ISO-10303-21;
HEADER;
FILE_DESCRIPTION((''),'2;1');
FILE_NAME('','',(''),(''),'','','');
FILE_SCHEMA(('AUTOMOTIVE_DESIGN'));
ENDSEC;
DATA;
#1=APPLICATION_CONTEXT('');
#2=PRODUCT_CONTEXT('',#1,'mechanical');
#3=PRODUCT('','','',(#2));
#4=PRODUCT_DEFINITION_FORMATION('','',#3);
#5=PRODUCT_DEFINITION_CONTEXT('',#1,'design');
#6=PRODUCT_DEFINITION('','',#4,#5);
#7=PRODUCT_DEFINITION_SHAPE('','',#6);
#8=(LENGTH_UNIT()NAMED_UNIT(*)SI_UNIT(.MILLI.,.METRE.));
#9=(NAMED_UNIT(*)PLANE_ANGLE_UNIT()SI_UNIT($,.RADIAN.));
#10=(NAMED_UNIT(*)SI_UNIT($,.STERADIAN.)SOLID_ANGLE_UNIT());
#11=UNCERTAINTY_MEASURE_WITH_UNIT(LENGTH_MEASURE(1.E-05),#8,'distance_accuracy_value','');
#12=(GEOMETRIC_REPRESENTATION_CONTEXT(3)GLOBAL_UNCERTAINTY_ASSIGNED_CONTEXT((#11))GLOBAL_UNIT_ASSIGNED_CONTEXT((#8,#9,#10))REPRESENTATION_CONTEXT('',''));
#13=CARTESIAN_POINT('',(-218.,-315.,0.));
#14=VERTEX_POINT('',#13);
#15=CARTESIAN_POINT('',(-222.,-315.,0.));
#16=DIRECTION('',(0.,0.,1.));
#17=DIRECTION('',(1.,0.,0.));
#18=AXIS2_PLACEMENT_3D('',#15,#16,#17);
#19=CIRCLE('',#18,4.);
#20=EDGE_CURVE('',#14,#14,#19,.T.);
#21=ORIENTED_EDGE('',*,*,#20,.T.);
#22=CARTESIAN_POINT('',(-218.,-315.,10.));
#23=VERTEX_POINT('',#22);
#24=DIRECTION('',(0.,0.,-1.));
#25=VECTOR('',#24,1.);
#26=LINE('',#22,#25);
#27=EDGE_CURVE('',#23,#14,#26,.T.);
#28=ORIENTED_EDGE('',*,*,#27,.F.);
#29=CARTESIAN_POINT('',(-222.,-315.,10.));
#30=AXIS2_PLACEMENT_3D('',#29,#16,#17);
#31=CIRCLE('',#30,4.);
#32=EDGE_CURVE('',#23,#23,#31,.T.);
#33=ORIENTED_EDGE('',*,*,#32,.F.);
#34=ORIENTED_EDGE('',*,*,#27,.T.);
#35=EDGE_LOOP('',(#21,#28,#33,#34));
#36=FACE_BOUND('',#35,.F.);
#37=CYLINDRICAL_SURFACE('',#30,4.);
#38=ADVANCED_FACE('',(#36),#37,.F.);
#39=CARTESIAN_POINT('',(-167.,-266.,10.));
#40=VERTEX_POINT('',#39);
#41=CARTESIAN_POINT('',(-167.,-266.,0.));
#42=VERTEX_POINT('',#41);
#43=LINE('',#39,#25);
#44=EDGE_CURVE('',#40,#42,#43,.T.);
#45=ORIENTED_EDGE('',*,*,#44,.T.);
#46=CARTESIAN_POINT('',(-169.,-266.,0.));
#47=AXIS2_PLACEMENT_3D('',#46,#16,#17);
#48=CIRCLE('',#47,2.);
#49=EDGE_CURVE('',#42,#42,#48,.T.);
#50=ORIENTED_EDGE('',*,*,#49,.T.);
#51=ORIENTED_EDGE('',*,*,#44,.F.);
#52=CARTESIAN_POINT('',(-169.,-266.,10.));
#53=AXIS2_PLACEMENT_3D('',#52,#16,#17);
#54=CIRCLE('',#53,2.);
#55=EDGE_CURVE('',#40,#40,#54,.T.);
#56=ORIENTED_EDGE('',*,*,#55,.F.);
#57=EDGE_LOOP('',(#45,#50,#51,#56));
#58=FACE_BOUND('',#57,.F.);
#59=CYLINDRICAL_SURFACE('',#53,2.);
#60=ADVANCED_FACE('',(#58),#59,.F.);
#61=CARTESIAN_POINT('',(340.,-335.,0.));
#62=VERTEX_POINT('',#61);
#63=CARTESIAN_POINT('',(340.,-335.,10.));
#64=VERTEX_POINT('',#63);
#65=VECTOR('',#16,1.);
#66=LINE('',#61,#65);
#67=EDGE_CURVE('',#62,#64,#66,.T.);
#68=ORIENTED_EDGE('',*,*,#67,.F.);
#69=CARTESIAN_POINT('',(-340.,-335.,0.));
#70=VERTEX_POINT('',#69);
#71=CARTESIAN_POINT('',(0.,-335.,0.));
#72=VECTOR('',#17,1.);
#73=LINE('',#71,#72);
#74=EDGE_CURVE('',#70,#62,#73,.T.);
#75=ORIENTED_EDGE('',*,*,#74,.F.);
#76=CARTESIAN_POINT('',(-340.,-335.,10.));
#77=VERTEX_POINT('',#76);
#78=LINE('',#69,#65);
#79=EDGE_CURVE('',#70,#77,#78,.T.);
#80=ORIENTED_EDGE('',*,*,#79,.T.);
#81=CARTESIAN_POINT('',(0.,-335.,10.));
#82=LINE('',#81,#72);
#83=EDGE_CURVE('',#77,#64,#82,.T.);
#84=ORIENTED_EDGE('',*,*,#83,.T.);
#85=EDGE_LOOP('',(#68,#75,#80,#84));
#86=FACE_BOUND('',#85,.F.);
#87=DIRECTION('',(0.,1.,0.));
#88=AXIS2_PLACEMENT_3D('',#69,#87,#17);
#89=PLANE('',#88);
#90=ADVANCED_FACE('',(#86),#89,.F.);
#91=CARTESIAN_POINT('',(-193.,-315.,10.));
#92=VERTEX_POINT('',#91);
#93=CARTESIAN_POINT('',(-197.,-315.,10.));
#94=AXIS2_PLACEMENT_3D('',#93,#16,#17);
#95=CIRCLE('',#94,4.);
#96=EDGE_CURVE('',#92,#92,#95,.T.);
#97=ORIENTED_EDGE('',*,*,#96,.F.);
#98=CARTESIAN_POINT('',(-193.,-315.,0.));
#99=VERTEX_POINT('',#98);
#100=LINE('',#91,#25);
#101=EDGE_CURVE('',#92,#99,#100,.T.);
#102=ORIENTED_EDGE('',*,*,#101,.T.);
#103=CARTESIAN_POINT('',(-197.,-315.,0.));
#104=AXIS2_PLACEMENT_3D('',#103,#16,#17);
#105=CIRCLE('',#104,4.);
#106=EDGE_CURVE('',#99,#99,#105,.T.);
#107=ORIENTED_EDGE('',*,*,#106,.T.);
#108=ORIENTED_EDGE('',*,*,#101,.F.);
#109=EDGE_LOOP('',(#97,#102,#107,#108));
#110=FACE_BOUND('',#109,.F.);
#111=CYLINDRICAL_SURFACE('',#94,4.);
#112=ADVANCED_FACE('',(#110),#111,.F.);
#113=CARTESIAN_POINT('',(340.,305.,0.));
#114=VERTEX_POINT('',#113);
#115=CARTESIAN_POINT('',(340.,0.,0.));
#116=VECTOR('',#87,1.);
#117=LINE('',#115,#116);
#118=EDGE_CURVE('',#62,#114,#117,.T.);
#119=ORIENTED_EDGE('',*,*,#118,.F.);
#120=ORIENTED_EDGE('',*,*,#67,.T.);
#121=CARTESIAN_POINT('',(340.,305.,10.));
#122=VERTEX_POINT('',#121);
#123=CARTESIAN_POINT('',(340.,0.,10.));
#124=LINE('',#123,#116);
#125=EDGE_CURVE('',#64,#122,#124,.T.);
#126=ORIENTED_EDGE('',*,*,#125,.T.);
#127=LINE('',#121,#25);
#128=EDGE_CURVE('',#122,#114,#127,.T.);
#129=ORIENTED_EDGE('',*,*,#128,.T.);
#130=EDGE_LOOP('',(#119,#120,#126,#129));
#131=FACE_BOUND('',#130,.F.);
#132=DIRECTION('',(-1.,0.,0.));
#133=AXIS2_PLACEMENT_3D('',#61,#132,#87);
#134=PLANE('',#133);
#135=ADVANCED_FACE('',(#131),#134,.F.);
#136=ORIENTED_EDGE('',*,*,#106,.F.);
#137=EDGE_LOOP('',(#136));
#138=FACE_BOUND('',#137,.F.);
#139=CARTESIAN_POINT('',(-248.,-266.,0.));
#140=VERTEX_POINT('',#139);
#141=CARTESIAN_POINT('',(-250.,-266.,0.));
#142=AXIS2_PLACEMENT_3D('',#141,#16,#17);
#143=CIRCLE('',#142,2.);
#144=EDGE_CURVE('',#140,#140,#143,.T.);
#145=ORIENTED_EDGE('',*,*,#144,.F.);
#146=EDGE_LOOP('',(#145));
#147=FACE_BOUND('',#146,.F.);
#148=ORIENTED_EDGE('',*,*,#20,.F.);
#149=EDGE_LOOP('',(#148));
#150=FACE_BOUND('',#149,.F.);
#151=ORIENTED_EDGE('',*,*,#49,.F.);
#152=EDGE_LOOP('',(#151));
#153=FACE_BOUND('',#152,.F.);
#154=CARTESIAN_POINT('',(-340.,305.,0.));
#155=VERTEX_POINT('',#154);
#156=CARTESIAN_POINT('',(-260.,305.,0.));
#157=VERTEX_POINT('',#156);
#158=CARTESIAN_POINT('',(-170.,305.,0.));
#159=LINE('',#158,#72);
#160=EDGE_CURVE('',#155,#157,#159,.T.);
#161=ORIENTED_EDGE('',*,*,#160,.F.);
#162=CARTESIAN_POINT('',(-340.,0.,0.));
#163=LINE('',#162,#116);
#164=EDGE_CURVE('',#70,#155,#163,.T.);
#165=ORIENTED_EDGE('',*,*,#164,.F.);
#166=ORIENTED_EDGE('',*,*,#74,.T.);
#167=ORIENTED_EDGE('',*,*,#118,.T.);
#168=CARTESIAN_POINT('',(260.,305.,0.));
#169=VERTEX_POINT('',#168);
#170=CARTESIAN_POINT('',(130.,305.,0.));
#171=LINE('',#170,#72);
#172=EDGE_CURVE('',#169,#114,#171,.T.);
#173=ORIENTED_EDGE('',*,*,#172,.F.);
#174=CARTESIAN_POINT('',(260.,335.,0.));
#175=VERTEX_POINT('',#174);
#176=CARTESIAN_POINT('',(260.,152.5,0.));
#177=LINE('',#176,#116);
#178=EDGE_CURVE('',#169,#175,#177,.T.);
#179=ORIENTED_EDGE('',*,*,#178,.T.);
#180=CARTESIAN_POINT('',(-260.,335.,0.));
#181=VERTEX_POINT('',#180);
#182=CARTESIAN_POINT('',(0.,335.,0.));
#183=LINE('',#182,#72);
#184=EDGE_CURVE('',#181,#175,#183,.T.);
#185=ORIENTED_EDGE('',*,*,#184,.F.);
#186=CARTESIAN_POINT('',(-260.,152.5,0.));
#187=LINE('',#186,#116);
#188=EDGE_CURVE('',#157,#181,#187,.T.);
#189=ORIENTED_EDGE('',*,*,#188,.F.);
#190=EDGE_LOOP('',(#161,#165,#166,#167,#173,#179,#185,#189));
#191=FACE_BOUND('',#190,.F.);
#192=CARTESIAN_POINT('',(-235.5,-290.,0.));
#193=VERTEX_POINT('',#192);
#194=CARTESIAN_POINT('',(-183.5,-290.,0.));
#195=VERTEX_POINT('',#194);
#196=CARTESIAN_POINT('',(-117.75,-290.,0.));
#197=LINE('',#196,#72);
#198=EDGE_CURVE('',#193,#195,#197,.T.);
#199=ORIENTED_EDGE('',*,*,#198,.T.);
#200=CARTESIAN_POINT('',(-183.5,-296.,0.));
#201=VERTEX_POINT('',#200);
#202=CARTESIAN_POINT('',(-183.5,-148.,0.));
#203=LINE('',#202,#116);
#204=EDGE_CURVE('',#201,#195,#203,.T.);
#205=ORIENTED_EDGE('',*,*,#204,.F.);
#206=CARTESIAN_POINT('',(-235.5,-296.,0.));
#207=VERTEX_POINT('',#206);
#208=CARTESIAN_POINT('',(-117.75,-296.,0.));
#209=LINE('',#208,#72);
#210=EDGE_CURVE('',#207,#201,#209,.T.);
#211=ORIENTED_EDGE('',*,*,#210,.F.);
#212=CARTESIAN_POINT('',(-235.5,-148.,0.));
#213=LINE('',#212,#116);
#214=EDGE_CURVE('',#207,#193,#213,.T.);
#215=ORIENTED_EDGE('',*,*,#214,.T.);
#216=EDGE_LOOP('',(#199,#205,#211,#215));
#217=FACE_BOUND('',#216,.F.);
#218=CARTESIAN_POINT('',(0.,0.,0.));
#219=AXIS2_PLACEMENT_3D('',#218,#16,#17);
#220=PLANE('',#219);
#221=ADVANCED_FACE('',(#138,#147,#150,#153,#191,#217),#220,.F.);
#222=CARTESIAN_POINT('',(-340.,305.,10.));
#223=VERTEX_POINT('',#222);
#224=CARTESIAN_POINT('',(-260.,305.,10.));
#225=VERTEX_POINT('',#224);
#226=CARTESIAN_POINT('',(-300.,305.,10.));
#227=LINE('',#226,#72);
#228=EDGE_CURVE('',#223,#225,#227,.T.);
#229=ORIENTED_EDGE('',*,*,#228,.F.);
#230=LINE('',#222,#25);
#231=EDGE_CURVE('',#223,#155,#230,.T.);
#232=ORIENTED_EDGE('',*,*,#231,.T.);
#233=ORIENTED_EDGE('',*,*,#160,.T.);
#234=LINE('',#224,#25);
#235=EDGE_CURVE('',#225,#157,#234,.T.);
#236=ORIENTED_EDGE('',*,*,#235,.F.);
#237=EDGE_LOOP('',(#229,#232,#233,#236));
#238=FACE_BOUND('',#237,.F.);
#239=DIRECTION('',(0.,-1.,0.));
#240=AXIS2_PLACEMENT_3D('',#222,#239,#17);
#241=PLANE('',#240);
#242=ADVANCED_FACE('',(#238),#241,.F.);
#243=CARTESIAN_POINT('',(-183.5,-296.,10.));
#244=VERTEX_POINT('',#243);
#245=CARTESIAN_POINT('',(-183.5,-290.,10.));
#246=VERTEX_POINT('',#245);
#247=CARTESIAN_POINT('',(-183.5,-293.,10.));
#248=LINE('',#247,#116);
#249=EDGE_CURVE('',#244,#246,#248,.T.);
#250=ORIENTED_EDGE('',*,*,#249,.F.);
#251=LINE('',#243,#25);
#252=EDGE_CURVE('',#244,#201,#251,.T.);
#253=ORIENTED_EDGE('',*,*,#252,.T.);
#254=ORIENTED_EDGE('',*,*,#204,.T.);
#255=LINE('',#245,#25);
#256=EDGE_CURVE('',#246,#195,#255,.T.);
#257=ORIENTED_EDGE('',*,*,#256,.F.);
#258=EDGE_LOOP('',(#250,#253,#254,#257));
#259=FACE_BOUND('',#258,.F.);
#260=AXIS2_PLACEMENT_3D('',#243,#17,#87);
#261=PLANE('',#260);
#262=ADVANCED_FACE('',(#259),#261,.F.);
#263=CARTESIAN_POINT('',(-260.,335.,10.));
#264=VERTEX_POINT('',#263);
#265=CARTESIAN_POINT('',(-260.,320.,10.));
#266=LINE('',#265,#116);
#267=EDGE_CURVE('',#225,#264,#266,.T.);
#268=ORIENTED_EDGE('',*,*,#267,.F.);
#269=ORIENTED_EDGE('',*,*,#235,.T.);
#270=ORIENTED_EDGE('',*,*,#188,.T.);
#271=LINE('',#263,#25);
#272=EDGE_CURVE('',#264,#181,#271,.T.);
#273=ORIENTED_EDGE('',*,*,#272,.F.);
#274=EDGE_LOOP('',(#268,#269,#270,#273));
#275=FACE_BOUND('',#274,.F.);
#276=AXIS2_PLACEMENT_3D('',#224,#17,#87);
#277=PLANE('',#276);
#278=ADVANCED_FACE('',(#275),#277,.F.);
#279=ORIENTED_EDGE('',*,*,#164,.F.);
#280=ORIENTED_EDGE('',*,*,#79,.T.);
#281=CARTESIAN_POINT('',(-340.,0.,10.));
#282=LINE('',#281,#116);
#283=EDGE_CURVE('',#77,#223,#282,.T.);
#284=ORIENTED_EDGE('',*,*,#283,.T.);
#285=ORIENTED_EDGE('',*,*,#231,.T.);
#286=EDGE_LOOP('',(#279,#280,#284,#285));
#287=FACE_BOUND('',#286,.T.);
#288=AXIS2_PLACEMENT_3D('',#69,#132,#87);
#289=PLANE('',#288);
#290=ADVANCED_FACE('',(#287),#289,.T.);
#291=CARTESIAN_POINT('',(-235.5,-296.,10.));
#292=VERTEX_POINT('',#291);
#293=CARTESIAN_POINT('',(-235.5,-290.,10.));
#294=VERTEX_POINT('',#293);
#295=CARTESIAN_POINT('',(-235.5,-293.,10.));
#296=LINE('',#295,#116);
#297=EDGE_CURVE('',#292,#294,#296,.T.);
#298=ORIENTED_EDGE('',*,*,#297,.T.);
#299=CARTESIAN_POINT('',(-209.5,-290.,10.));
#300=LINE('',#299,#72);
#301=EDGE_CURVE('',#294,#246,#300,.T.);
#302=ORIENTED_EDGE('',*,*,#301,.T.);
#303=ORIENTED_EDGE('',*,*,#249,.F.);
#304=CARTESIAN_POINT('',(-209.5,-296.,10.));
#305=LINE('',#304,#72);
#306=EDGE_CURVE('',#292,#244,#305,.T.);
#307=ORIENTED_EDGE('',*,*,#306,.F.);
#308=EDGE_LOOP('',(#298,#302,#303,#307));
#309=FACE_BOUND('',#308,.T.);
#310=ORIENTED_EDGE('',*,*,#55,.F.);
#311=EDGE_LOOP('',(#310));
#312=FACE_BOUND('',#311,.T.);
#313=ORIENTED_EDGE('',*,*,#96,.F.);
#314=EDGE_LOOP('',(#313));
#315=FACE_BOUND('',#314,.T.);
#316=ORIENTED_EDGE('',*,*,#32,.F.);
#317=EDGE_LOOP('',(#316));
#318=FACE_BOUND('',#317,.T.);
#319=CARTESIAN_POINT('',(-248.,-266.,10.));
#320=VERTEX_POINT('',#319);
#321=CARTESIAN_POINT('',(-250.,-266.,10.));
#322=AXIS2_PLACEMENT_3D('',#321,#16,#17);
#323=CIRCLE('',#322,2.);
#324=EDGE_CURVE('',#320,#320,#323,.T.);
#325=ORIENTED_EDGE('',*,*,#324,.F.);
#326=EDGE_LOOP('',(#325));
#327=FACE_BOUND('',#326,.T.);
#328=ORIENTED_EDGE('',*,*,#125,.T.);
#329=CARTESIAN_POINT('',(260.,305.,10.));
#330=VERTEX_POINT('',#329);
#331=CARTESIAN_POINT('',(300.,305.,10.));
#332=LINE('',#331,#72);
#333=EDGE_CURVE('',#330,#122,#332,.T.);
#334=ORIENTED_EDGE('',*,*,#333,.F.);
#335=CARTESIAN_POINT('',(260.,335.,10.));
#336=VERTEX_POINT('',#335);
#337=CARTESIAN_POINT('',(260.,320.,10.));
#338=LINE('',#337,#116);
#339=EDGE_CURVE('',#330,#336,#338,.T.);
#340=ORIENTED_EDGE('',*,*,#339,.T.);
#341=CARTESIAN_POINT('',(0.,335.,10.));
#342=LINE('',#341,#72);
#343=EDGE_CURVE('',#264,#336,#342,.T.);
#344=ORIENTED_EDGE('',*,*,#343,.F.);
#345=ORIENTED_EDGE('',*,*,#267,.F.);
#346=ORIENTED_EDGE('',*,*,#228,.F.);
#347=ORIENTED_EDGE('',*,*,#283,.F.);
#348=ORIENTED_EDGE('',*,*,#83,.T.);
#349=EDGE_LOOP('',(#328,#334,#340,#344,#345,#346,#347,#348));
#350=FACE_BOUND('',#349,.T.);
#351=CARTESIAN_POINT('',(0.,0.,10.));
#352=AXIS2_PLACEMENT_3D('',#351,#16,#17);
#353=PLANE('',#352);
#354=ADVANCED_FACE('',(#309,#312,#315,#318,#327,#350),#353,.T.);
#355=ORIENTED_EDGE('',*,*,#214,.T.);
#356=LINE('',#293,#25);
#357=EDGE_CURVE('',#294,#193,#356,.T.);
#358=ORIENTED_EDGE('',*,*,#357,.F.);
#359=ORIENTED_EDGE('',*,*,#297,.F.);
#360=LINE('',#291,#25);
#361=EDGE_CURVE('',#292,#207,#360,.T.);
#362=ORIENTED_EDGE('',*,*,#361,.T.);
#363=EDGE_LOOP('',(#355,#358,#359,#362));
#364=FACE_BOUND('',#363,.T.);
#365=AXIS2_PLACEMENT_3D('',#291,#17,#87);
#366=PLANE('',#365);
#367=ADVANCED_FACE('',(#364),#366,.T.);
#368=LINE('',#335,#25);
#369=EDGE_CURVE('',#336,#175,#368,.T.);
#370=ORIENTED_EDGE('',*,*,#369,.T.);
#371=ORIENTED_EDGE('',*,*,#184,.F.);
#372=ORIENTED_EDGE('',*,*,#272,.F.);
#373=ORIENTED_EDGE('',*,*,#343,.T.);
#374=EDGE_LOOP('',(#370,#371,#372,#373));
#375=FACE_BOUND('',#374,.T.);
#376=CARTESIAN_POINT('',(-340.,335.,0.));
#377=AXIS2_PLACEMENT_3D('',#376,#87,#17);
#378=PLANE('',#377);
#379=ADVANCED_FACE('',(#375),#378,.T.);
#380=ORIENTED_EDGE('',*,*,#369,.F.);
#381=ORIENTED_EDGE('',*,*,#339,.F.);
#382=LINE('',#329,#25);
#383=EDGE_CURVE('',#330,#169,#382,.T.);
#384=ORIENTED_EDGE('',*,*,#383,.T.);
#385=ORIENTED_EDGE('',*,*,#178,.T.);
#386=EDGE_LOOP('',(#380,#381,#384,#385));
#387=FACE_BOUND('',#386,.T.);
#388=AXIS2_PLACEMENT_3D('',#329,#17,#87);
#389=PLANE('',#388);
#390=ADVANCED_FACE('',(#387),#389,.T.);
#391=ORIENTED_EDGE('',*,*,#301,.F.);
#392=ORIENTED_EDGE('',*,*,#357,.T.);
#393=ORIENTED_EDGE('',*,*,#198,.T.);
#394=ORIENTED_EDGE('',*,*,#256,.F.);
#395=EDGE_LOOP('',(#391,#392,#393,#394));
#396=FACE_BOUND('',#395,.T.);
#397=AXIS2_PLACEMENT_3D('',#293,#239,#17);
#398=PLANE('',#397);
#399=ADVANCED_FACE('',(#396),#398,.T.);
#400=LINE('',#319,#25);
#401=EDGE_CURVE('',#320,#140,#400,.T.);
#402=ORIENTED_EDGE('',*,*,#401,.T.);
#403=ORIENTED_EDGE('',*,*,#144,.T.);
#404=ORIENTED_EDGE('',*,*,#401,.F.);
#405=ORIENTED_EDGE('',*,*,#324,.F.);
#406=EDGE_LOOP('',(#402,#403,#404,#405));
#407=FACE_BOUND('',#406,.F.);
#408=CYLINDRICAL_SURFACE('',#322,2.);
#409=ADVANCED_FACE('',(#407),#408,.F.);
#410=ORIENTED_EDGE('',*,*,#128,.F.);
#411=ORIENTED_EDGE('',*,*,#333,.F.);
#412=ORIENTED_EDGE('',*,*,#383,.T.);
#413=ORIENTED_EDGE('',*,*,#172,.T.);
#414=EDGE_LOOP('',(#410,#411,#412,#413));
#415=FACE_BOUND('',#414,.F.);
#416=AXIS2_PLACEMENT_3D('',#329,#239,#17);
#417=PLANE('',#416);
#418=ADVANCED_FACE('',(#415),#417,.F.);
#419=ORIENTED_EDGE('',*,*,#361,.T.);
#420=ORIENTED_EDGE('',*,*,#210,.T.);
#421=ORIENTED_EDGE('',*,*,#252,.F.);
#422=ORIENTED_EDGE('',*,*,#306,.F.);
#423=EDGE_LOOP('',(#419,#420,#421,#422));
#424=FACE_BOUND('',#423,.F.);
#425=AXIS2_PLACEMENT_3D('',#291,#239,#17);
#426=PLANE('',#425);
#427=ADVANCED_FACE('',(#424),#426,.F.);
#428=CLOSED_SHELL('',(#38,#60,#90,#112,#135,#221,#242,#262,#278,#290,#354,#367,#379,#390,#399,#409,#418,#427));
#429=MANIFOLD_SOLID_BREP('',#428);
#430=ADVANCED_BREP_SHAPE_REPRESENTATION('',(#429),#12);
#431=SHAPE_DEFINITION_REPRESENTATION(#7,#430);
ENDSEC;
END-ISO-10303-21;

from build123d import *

# Parameters (mm, degrees)
ESQUISSE1_W             = 680
ESQUISSE1_H             = 670
BOSS_EXTRU_1_DEPTH      = 10
ESQUISSE2_W             = 80
ESQUISSE2_H             = 30
ENL_V_MAT_EXTRU_1_DEPTH = 11
ESQUISSE3_W             = 52
ESQUISSE3_H             = 6
ENL_V_MAT_EXTRU_2_DEPTH = 11
ESQUISSE4_R             = 4
ENL_V_MAT_EXTRU_3_DEPTH = 11
ESQUISSE5_R             = 2
ENL_V_MAT_EXTRU_4_DEPTH = 11


with BuildPart() as part:
    # Esquisse1 → Boss.-Extru.1 (new body)
    with BuildSketch(Plane.XY):
        Rectangle(ESQUISSE1_W, ESQUISSE1_H)
    extrude(amount=BOSS_EXTRU_1_DEPTH)

    # Esquisse2 → Enlèv. mat.-Extru.1 (cut, through all)
    with BuildSketch(Plane.XY.offset(10)):
        with Locations((-300, 320)):
            Rectangle(ESQUISSE2_W, ESQUISSE2_H)
        with Locations((300, 320)):
            Rectangle(ESQUISSE2_W, ESQUISSE2_H)
    extrude(amount=-ENL_V_MAT_EXTRU_1_DEPTH, mode=Mode.SUBTRACT)

    # Esquisse3 → Enlèv. mat.-Extru.2 (cut, through all)
    with BuildSketch(Plane.XY.offset(10)):
        with Locations((-209.5, -293)):
            Rectangle(ESQUISSE3_W, ESQUISSE3_H)
    extrude(amount=-ENL_V_MAT_EXTRU_2_DEPTH, mode=Mode.SUBTRACT)

    # Esquisse4 → Enlèv. mat.-Extru.3 (cut, through all)
    with BuildSketch(Plane.XY.offset(10)):
        with Locations((-222, -315)):
            Circle(ESQUISSE4_R)
        with Locations((-197, -315)):
            Circle(ESQUISSE4_R)
    extrude(amount=-ENL_V_MAT_EXTRU_3_DEPTH, mode=Mode.SUBTRACT)

    # Esquisse5 → Enlèv. mat.-Extru.4 (cut, through all)
    with BuildSketch(Plane.XY.offset(10)):
        with Locations((-250, -266)):
            Circle(ESQUISSE5_R)
        with Locations((-169, -266)):
            Circle(ESQUISSE5_R)
    extrude(amount=-ENL_V_MAT_EXTRU_4_DEPTH, mode=Mode.SUBTRACT)


solid = part.part
